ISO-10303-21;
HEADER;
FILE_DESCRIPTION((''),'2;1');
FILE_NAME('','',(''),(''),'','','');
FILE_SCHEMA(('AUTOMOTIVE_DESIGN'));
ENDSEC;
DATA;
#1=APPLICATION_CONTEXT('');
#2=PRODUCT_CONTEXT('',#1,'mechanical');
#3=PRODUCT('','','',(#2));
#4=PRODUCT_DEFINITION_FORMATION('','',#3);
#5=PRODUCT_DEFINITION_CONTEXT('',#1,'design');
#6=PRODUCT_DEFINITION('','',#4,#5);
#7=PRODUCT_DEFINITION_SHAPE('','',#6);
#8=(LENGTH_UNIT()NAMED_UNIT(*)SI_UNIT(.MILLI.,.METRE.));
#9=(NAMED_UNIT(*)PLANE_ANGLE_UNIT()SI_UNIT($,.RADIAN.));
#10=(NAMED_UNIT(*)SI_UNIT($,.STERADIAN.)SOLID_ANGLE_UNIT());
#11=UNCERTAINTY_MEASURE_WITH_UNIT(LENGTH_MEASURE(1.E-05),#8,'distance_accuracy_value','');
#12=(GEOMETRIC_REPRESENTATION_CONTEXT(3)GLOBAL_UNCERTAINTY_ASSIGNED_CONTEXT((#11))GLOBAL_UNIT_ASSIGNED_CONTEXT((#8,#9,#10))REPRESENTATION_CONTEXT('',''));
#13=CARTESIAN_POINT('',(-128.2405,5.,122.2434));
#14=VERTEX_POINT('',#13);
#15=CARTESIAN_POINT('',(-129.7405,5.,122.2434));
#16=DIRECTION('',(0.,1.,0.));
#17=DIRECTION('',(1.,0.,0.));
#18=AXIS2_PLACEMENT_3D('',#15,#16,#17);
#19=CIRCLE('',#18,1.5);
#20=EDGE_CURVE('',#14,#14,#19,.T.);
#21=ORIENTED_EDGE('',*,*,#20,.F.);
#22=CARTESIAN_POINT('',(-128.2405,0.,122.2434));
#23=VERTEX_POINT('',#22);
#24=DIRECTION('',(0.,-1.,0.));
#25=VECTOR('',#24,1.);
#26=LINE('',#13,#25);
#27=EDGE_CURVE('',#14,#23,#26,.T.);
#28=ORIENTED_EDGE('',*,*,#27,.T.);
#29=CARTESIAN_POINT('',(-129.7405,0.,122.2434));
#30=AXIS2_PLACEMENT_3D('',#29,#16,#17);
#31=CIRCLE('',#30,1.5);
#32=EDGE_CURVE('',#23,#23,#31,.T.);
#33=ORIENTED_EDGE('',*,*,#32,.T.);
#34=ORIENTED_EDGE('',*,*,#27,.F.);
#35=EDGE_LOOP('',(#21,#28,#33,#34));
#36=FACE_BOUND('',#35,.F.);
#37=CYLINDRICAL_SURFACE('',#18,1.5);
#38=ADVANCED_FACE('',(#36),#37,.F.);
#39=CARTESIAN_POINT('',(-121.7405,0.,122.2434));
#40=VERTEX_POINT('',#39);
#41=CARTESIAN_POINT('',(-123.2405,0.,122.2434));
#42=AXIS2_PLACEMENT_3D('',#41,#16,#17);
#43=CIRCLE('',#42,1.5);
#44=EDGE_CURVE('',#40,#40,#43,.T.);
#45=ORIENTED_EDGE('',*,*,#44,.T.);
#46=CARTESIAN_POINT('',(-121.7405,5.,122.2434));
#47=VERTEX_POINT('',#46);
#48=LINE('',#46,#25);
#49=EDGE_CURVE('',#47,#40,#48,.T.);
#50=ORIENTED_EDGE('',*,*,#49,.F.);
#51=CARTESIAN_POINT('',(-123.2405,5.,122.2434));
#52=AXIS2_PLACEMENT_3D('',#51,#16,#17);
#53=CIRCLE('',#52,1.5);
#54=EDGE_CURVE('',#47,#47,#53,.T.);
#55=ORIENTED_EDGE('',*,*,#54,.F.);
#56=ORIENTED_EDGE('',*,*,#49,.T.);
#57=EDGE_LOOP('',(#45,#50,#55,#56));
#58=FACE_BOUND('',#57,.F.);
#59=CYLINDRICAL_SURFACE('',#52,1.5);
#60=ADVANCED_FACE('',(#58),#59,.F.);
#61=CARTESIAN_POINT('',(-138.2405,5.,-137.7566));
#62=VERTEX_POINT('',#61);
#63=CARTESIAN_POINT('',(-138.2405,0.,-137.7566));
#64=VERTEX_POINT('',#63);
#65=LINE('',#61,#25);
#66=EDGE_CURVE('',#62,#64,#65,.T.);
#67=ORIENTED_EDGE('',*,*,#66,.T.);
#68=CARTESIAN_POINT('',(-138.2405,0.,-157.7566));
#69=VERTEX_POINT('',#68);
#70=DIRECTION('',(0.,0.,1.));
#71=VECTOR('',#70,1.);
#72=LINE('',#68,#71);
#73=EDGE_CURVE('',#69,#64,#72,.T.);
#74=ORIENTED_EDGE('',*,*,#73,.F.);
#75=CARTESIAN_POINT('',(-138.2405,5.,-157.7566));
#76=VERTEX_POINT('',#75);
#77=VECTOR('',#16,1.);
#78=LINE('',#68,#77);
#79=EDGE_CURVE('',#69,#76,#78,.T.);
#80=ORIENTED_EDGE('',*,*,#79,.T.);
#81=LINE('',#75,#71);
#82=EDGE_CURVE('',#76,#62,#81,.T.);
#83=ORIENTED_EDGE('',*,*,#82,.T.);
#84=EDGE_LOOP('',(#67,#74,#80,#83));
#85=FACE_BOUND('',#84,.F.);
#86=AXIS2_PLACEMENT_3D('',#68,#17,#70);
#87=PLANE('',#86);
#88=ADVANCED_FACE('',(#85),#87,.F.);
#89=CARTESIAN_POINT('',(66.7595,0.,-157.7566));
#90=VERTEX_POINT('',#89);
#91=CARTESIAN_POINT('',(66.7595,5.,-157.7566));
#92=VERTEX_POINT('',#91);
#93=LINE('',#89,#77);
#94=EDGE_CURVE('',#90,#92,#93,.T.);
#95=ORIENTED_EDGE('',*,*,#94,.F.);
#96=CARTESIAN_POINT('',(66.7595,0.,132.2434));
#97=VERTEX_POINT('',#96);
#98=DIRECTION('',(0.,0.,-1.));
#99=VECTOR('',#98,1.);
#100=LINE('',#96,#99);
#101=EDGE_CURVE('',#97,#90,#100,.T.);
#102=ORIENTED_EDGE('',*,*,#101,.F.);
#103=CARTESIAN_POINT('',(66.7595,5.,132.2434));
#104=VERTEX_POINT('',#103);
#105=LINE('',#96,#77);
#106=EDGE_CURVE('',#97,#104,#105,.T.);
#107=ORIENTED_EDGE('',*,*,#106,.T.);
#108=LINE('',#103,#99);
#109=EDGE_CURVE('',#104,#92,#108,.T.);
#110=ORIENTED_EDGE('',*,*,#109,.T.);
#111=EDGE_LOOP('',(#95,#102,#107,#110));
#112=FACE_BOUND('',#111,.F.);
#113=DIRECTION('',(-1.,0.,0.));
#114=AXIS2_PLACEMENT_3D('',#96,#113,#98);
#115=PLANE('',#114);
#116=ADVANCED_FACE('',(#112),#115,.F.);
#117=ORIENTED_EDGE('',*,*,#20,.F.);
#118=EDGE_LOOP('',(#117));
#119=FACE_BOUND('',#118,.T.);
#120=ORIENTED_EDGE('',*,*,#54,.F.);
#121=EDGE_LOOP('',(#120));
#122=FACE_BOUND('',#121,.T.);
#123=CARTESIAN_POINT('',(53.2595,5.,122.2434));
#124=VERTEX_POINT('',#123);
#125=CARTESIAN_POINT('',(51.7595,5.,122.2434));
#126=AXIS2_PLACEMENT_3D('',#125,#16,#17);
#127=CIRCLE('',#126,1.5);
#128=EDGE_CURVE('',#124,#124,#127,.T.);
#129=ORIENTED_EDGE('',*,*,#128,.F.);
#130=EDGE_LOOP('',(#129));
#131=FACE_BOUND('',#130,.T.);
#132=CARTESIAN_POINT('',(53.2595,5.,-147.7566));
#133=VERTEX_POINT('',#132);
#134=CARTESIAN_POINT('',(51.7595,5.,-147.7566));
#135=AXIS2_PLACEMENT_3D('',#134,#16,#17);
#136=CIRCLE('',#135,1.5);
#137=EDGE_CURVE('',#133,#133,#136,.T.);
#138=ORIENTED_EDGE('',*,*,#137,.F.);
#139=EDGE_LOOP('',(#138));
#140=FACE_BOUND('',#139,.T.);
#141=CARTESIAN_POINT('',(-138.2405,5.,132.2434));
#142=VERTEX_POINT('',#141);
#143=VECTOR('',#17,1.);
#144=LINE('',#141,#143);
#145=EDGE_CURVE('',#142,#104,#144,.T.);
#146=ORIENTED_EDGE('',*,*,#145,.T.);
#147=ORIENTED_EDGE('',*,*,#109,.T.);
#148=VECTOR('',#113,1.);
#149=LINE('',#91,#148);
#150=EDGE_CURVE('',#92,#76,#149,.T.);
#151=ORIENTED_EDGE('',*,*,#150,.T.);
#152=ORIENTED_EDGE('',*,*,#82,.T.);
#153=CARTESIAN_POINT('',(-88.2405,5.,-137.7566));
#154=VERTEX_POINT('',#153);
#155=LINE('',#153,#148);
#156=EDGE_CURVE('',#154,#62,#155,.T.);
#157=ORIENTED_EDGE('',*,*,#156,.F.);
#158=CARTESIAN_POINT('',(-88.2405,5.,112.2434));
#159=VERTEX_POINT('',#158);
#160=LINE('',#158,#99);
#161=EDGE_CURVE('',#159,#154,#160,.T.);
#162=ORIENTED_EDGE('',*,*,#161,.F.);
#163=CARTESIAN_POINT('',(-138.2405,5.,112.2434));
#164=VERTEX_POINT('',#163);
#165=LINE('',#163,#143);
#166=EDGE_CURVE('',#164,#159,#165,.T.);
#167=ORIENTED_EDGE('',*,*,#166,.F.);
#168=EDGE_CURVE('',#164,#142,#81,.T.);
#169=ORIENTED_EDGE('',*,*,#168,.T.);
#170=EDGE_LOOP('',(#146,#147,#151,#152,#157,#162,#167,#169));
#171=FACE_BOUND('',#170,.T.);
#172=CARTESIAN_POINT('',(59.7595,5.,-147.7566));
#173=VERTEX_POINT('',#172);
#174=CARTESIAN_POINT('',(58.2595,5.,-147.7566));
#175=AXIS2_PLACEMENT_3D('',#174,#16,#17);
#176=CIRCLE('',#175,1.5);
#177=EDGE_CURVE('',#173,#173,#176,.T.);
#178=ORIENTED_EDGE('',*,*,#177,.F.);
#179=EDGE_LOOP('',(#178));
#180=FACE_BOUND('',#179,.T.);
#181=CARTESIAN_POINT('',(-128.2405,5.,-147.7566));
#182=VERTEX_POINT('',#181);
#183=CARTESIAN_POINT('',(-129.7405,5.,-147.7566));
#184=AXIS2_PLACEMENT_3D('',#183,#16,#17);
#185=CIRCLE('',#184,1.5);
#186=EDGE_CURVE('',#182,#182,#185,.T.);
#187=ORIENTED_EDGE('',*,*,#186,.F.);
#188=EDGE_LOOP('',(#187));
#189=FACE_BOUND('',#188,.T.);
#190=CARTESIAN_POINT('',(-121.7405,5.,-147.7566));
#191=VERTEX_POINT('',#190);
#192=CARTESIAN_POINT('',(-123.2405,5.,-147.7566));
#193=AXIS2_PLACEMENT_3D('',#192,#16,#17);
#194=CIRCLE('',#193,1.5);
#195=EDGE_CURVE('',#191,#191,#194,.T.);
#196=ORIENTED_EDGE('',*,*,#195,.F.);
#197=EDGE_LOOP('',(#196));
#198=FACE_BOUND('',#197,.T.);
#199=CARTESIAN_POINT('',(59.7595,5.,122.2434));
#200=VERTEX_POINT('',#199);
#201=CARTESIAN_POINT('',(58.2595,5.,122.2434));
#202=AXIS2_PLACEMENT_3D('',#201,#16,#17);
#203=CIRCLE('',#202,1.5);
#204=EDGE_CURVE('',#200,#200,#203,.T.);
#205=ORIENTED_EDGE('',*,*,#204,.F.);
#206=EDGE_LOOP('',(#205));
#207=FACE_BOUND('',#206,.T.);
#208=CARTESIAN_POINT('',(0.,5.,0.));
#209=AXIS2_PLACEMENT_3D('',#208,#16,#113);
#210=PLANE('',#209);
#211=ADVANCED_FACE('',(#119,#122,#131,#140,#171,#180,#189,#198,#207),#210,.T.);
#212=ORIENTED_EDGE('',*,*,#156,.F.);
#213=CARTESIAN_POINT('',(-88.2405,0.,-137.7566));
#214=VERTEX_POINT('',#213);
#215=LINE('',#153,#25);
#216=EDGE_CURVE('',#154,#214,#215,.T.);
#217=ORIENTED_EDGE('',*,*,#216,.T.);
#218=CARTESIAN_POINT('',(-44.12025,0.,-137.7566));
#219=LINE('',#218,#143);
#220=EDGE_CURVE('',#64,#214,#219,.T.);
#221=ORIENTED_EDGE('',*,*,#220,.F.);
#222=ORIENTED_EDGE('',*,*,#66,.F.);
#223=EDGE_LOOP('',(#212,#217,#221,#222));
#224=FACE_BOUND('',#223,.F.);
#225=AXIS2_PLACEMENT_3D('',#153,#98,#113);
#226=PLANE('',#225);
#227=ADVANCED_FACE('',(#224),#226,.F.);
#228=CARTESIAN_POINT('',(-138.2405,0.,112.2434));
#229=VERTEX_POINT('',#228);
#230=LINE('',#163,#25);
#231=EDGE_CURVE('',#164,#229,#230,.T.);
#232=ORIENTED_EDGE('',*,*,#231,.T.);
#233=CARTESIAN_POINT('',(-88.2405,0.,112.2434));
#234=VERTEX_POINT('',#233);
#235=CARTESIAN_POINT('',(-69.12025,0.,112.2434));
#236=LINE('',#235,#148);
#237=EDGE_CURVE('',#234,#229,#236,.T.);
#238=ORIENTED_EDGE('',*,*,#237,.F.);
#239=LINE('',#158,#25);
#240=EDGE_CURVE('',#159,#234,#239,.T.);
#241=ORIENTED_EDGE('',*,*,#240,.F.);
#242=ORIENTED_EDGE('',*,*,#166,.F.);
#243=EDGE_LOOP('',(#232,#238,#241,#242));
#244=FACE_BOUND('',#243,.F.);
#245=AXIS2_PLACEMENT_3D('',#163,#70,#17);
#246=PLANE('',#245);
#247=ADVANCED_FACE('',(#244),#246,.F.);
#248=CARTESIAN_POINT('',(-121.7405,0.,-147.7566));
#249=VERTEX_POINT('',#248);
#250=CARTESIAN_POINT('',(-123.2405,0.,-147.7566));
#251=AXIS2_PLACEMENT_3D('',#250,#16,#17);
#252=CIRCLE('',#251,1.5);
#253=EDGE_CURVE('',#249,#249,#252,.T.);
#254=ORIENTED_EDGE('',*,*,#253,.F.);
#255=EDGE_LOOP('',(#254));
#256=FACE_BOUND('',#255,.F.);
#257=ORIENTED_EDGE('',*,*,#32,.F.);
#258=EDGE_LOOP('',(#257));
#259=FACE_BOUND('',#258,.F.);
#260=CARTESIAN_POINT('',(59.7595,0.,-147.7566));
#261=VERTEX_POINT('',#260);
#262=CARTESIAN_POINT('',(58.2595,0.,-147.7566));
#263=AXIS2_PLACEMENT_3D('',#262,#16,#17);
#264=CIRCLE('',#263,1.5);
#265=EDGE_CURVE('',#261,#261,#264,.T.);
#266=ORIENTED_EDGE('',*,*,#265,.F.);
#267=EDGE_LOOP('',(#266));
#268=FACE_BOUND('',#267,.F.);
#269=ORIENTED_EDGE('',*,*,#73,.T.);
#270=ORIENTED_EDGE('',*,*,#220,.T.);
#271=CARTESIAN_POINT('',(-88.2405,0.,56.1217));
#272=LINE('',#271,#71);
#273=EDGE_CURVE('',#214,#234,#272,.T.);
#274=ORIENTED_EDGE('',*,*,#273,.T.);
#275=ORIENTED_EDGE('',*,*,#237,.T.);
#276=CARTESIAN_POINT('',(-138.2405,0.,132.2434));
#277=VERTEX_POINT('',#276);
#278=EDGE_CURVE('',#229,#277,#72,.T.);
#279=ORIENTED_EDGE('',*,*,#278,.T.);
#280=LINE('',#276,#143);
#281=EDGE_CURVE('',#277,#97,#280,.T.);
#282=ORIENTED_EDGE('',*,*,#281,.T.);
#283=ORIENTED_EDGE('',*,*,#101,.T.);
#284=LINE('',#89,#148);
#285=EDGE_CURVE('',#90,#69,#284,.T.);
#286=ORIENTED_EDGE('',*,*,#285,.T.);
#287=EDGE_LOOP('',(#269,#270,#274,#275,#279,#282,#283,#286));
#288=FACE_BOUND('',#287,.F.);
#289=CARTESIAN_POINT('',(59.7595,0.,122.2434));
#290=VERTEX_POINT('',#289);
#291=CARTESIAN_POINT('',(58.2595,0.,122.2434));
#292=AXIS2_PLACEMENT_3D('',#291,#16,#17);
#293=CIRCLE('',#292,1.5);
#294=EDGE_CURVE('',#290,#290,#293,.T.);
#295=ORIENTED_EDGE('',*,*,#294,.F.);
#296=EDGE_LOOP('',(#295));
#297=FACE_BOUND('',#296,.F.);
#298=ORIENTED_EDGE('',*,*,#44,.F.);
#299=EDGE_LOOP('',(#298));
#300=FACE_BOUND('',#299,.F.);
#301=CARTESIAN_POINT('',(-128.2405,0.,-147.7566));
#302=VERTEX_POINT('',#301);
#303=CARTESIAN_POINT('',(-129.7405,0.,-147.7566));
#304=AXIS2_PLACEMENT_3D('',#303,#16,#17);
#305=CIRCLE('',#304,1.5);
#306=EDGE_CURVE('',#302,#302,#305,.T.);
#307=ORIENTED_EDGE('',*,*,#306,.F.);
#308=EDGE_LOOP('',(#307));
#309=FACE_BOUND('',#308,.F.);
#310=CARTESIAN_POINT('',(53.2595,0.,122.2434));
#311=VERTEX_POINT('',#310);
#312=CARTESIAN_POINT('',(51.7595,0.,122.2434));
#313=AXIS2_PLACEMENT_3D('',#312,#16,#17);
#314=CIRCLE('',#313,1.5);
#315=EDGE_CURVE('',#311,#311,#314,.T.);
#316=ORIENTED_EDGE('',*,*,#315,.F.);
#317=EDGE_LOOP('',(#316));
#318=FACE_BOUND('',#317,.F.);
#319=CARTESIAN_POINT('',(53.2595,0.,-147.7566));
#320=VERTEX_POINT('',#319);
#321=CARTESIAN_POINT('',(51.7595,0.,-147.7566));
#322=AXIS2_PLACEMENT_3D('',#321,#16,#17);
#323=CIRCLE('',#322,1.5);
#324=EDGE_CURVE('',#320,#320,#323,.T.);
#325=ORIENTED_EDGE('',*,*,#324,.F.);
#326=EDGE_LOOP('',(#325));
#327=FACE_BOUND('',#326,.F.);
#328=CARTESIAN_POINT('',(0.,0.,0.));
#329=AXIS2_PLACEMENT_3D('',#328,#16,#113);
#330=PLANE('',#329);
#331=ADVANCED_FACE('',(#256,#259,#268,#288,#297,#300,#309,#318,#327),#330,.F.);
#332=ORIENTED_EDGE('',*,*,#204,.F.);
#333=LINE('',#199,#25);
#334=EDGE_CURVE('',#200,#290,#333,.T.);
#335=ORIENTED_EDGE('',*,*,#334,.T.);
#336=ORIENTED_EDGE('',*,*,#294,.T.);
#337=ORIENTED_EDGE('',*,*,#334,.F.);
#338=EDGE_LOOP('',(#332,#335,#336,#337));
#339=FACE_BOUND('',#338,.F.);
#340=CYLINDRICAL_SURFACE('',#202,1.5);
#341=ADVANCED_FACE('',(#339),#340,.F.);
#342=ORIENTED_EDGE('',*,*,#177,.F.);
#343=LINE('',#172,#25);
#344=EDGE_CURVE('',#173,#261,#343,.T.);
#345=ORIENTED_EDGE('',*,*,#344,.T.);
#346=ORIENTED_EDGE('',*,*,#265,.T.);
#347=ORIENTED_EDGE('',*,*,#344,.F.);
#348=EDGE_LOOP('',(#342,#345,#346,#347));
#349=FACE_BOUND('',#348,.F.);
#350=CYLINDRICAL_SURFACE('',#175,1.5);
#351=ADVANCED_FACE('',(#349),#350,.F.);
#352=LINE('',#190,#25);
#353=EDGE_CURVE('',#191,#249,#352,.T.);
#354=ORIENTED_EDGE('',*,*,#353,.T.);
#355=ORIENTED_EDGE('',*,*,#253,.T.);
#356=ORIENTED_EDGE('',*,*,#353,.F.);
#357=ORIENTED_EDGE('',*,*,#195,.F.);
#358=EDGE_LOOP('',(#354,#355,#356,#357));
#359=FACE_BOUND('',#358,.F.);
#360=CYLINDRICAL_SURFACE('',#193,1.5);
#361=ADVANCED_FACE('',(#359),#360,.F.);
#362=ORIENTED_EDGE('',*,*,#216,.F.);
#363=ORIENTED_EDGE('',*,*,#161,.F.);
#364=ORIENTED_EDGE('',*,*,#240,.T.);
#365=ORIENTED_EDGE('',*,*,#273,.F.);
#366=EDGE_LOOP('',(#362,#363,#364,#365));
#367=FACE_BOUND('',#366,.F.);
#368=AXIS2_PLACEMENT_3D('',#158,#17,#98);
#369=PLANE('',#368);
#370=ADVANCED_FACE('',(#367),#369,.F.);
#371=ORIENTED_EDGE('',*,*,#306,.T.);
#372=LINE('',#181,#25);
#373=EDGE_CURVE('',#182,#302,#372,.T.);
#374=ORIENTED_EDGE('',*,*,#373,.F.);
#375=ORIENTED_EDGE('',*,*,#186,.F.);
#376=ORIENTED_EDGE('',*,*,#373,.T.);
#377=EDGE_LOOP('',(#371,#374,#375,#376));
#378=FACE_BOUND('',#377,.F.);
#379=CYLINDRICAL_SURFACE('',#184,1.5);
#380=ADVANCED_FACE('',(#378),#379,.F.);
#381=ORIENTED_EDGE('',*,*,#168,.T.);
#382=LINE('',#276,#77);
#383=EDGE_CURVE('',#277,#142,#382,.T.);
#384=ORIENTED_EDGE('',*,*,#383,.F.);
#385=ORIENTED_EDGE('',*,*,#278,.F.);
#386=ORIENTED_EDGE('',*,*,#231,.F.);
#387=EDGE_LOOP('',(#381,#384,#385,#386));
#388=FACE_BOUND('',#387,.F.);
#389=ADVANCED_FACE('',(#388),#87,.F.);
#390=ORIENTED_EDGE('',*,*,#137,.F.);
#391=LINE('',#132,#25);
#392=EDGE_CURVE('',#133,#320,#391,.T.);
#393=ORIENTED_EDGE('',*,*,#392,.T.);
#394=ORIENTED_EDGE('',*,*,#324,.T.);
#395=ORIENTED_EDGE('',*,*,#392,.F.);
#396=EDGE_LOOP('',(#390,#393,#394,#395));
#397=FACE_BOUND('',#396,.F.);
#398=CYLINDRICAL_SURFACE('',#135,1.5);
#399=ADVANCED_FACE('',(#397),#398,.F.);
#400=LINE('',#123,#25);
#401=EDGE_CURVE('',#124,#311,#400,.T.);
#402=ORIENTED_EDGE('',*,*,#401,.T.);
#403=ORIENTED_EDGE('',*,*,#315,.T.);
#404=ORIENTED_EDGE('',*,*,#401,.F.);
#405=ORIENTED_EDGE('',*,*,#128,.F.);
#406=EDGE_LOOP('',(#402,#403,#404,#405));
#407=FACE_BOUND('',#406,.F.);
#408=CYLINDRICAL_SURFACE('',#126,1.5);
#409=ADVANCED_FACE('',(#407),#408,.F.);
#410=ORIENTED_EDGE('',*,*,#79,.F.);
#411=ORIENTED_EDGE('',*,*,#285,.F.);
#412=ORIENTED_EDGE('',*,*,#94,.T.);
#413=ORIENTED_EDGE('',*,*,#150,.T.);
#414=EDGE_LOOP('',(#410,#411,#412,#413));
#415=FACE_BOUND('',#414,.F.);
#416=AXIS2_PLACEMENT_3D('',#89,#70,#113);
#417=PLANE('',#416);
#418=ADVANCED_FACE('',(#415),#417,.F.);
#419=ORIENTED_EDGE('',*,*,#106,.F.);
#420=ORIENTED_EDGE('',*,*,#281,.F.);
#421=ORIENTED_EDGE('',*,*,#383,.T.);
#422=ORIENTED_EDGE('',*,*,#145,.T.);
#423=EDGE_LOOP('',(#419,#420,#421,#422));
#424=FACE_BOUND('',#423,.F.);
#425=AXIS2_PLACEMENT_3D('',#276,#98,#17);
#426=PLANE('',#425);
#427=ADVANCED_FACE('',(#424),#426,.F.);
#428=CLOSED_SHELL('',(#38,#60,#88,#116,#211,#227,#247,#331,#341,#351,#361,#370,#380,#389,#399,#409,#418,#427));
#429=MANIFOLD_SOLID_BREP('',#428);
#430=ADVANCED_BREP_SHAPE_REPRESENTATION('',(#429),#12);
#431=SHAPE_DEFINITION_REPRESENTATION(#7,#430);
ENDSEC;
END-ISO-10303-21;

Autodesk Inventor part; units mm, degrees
ref_plane "YZ Plane" through (0, 0, 0) normal (1, 0, 0) x (0, 1, 0)
ref_plane "XZ Plane" through (0, 0, 0) normal (0, 1, 0) x (-1, 0, 0)
ref_plane "XY Plane" through (0, 0, 0) normal (0, 0, 1) x (1, 0, 0)
sketch "Esquisse1" plane through (0, 0, 0) normal (0, 1, 0) x (-1, 0, 0)
  line L0 (138.2405, 132.2434) -> (-66.7595, 132.2434)
  line L1 (-66.7595, 132.2434) -> (-66.7595, -157.7566)
  line L2 (-66.7595, -157.7566) -> (138.2405, -157.7566)
  line L3 (138.2405, -157.7566) -> (138.2405, 132.2434)
  point P0 (0, 0)
  dimension "d0" = 290
  dimension "d1" = 205
extrude "Extrusion1" add sketch "Esquisse1" along normal blind 5
sketch "Esquisse2" plane through (0, 5, 0) normal (0, 1, 0) x (1, 0, 0)
  line L0 (-138.2405, 157.7566) -> (-138.2405, -132.2434) projected
  line L1 (-138.2405, -112.2434) -> (-88.2405, -112.2434)
  line L2 (-88.2405, -112.2434) -> (-88.2405, 137.7566)
  line L3 (-88.2405, 137.7566) -> (-138.2405, 137.7566)
  line L4 (-138.2405, 137.7566) -> (-138.2405, -112.2434)
  line L5 (-138.2405, -132.2434) -> (66.7595, -132.2434) projected
  line L6 (66.7595, 157.7566) -> (-138.2405, 157.7566) projected
  point P0 (0, 0)
  dimension "d4" = 20
  dimension "d5" = 20
  dimension "d6" = 50
extrude "Extrusion2" cut sketch "Esquisse2" against normal up to next
sketch "Esquisse3" plane through (0, 5, 0) normal (0, 1, 0) x (1, 0, 0)
  circle A0 centre (58.2595, 147.7566) radius 1.5 projected
  circle A1 centre (51.7595, 147.7566) radius 1.5 projected
  circle A2 centre (58.2595, -122.2434) radius 1.5 projected
  circle A3 centre (51.7595, -122.2434) radius 1.5 projected
  circle A4 centre (-123.2405, -122.2434) radius 1.5 projected
  circle A5 centre (-129.7405, -122.2434) radius 1.5 projected
  circle A6 centre (-123.2405, 147.7566) radius 1.5 projected
  circle A7 centre (-129.7405, 147.7566) radius 1.5 projected
  point P0 (0, 0)
extrude "Extrusion3" cut sketch "Esquisse3" against normal up to next
properties part number "étage"
